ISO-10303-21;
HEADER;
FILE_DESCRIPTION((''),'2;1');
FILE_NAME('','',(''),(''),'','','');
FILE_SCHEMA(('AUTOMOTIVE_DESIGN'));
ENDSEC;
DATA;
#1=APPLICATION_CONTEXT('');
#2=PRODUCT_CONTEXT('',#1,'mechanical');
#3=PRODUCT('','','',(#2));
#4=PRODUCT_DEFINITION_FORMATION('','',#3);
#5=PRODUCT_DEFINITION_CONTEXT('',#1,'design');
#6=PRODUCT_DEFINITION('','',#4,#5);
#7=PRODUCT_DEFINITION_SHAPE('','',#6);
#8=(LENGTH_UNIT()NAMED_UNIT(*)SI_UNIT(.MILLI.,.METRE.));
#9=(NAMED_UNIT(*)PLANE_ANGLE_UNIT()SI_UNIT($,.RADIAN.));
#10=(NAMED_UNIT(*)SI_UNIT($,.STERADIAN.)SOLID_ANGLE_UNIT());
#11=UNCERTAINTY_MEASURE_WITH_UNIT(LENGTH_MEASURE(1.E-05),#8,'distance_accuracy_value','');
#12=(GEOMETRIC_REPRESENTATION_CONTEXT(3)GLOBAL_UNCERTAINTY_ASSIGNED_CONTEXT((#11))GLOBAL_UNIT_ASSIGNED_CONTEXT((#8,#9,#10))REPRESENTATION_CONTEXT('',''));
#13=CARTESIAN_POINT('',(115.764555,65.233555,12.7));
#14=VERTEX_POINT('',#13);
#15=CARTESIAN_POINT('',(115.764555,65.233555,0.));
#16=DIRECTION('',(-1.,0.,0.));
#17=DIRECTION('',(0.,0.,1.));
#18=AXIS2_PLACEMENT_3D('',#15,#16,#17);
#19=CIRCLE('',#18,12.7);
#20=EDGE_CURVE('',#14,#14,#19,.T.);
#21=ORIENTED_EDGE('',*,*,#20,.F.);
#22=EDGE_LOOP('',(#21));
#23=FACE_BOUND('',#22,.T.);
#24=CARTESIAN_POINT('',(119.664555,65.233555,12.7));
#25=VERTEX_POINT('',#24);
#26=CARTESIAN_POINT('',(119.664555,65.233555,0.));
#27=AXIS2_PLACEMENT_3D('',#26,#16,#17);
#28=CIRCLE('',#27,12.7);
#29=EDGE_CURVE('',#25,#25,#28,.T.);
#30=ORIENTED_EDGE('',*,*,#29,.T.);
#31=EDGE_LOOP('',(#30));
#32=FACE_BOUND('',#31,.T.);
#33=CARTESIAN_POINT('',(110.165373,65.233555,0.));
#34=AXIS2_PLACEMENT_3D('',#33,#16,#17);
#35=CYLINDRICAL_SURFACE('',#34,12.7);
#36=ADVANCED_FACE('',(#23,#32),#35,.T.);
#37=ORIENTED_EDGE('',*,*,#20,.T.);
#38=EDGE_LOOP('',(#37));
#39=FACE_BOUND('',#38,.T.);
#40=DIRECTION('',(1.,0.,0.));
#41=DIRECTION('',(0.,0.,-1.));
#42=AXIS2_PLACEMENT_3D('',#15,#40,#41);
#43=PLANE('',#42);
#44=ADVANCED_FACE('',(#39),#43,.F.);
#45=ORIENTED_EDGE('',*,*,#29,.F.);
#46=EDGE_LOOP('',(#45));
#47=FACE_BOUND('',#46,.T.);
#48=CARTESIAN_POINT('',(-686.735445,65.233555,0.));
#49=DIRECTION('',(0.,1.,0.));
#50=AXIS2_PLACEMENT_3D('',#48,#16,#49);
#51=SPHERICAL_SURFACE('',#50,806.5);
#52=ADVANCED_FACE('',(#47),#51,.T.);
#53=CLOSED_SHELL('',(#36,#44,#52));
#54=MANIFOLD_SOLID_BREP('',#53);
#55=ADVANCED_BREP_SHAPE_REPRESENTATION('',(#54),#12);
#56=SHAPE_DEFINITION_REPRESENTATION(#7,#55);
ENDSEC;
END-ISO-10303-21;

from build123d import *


with BuildPart() as part:
    # 草图1 → 旋转1 (revolve)
    with BuildSketch(Plane.XY):
        with BuildLine():
            Line((115.764555476, 65.233554926), (115.764555476, 77.933554926))
            Line((115.764555476, 77.933554926), (119.664555476, 77.933554926))
            ThreePointArc((119.664555476, 77.933554926), (119.739555089, 71.583751774), (119.764555476, 65.233554926))
            Line((119.764555476, 65.233554926), (115.764555476, 65.233554926))
        make_face()
    revolve(axis=Axis((110.165373228, 65.233554926, 0), (1, 0, 0)))


solid = part.part
